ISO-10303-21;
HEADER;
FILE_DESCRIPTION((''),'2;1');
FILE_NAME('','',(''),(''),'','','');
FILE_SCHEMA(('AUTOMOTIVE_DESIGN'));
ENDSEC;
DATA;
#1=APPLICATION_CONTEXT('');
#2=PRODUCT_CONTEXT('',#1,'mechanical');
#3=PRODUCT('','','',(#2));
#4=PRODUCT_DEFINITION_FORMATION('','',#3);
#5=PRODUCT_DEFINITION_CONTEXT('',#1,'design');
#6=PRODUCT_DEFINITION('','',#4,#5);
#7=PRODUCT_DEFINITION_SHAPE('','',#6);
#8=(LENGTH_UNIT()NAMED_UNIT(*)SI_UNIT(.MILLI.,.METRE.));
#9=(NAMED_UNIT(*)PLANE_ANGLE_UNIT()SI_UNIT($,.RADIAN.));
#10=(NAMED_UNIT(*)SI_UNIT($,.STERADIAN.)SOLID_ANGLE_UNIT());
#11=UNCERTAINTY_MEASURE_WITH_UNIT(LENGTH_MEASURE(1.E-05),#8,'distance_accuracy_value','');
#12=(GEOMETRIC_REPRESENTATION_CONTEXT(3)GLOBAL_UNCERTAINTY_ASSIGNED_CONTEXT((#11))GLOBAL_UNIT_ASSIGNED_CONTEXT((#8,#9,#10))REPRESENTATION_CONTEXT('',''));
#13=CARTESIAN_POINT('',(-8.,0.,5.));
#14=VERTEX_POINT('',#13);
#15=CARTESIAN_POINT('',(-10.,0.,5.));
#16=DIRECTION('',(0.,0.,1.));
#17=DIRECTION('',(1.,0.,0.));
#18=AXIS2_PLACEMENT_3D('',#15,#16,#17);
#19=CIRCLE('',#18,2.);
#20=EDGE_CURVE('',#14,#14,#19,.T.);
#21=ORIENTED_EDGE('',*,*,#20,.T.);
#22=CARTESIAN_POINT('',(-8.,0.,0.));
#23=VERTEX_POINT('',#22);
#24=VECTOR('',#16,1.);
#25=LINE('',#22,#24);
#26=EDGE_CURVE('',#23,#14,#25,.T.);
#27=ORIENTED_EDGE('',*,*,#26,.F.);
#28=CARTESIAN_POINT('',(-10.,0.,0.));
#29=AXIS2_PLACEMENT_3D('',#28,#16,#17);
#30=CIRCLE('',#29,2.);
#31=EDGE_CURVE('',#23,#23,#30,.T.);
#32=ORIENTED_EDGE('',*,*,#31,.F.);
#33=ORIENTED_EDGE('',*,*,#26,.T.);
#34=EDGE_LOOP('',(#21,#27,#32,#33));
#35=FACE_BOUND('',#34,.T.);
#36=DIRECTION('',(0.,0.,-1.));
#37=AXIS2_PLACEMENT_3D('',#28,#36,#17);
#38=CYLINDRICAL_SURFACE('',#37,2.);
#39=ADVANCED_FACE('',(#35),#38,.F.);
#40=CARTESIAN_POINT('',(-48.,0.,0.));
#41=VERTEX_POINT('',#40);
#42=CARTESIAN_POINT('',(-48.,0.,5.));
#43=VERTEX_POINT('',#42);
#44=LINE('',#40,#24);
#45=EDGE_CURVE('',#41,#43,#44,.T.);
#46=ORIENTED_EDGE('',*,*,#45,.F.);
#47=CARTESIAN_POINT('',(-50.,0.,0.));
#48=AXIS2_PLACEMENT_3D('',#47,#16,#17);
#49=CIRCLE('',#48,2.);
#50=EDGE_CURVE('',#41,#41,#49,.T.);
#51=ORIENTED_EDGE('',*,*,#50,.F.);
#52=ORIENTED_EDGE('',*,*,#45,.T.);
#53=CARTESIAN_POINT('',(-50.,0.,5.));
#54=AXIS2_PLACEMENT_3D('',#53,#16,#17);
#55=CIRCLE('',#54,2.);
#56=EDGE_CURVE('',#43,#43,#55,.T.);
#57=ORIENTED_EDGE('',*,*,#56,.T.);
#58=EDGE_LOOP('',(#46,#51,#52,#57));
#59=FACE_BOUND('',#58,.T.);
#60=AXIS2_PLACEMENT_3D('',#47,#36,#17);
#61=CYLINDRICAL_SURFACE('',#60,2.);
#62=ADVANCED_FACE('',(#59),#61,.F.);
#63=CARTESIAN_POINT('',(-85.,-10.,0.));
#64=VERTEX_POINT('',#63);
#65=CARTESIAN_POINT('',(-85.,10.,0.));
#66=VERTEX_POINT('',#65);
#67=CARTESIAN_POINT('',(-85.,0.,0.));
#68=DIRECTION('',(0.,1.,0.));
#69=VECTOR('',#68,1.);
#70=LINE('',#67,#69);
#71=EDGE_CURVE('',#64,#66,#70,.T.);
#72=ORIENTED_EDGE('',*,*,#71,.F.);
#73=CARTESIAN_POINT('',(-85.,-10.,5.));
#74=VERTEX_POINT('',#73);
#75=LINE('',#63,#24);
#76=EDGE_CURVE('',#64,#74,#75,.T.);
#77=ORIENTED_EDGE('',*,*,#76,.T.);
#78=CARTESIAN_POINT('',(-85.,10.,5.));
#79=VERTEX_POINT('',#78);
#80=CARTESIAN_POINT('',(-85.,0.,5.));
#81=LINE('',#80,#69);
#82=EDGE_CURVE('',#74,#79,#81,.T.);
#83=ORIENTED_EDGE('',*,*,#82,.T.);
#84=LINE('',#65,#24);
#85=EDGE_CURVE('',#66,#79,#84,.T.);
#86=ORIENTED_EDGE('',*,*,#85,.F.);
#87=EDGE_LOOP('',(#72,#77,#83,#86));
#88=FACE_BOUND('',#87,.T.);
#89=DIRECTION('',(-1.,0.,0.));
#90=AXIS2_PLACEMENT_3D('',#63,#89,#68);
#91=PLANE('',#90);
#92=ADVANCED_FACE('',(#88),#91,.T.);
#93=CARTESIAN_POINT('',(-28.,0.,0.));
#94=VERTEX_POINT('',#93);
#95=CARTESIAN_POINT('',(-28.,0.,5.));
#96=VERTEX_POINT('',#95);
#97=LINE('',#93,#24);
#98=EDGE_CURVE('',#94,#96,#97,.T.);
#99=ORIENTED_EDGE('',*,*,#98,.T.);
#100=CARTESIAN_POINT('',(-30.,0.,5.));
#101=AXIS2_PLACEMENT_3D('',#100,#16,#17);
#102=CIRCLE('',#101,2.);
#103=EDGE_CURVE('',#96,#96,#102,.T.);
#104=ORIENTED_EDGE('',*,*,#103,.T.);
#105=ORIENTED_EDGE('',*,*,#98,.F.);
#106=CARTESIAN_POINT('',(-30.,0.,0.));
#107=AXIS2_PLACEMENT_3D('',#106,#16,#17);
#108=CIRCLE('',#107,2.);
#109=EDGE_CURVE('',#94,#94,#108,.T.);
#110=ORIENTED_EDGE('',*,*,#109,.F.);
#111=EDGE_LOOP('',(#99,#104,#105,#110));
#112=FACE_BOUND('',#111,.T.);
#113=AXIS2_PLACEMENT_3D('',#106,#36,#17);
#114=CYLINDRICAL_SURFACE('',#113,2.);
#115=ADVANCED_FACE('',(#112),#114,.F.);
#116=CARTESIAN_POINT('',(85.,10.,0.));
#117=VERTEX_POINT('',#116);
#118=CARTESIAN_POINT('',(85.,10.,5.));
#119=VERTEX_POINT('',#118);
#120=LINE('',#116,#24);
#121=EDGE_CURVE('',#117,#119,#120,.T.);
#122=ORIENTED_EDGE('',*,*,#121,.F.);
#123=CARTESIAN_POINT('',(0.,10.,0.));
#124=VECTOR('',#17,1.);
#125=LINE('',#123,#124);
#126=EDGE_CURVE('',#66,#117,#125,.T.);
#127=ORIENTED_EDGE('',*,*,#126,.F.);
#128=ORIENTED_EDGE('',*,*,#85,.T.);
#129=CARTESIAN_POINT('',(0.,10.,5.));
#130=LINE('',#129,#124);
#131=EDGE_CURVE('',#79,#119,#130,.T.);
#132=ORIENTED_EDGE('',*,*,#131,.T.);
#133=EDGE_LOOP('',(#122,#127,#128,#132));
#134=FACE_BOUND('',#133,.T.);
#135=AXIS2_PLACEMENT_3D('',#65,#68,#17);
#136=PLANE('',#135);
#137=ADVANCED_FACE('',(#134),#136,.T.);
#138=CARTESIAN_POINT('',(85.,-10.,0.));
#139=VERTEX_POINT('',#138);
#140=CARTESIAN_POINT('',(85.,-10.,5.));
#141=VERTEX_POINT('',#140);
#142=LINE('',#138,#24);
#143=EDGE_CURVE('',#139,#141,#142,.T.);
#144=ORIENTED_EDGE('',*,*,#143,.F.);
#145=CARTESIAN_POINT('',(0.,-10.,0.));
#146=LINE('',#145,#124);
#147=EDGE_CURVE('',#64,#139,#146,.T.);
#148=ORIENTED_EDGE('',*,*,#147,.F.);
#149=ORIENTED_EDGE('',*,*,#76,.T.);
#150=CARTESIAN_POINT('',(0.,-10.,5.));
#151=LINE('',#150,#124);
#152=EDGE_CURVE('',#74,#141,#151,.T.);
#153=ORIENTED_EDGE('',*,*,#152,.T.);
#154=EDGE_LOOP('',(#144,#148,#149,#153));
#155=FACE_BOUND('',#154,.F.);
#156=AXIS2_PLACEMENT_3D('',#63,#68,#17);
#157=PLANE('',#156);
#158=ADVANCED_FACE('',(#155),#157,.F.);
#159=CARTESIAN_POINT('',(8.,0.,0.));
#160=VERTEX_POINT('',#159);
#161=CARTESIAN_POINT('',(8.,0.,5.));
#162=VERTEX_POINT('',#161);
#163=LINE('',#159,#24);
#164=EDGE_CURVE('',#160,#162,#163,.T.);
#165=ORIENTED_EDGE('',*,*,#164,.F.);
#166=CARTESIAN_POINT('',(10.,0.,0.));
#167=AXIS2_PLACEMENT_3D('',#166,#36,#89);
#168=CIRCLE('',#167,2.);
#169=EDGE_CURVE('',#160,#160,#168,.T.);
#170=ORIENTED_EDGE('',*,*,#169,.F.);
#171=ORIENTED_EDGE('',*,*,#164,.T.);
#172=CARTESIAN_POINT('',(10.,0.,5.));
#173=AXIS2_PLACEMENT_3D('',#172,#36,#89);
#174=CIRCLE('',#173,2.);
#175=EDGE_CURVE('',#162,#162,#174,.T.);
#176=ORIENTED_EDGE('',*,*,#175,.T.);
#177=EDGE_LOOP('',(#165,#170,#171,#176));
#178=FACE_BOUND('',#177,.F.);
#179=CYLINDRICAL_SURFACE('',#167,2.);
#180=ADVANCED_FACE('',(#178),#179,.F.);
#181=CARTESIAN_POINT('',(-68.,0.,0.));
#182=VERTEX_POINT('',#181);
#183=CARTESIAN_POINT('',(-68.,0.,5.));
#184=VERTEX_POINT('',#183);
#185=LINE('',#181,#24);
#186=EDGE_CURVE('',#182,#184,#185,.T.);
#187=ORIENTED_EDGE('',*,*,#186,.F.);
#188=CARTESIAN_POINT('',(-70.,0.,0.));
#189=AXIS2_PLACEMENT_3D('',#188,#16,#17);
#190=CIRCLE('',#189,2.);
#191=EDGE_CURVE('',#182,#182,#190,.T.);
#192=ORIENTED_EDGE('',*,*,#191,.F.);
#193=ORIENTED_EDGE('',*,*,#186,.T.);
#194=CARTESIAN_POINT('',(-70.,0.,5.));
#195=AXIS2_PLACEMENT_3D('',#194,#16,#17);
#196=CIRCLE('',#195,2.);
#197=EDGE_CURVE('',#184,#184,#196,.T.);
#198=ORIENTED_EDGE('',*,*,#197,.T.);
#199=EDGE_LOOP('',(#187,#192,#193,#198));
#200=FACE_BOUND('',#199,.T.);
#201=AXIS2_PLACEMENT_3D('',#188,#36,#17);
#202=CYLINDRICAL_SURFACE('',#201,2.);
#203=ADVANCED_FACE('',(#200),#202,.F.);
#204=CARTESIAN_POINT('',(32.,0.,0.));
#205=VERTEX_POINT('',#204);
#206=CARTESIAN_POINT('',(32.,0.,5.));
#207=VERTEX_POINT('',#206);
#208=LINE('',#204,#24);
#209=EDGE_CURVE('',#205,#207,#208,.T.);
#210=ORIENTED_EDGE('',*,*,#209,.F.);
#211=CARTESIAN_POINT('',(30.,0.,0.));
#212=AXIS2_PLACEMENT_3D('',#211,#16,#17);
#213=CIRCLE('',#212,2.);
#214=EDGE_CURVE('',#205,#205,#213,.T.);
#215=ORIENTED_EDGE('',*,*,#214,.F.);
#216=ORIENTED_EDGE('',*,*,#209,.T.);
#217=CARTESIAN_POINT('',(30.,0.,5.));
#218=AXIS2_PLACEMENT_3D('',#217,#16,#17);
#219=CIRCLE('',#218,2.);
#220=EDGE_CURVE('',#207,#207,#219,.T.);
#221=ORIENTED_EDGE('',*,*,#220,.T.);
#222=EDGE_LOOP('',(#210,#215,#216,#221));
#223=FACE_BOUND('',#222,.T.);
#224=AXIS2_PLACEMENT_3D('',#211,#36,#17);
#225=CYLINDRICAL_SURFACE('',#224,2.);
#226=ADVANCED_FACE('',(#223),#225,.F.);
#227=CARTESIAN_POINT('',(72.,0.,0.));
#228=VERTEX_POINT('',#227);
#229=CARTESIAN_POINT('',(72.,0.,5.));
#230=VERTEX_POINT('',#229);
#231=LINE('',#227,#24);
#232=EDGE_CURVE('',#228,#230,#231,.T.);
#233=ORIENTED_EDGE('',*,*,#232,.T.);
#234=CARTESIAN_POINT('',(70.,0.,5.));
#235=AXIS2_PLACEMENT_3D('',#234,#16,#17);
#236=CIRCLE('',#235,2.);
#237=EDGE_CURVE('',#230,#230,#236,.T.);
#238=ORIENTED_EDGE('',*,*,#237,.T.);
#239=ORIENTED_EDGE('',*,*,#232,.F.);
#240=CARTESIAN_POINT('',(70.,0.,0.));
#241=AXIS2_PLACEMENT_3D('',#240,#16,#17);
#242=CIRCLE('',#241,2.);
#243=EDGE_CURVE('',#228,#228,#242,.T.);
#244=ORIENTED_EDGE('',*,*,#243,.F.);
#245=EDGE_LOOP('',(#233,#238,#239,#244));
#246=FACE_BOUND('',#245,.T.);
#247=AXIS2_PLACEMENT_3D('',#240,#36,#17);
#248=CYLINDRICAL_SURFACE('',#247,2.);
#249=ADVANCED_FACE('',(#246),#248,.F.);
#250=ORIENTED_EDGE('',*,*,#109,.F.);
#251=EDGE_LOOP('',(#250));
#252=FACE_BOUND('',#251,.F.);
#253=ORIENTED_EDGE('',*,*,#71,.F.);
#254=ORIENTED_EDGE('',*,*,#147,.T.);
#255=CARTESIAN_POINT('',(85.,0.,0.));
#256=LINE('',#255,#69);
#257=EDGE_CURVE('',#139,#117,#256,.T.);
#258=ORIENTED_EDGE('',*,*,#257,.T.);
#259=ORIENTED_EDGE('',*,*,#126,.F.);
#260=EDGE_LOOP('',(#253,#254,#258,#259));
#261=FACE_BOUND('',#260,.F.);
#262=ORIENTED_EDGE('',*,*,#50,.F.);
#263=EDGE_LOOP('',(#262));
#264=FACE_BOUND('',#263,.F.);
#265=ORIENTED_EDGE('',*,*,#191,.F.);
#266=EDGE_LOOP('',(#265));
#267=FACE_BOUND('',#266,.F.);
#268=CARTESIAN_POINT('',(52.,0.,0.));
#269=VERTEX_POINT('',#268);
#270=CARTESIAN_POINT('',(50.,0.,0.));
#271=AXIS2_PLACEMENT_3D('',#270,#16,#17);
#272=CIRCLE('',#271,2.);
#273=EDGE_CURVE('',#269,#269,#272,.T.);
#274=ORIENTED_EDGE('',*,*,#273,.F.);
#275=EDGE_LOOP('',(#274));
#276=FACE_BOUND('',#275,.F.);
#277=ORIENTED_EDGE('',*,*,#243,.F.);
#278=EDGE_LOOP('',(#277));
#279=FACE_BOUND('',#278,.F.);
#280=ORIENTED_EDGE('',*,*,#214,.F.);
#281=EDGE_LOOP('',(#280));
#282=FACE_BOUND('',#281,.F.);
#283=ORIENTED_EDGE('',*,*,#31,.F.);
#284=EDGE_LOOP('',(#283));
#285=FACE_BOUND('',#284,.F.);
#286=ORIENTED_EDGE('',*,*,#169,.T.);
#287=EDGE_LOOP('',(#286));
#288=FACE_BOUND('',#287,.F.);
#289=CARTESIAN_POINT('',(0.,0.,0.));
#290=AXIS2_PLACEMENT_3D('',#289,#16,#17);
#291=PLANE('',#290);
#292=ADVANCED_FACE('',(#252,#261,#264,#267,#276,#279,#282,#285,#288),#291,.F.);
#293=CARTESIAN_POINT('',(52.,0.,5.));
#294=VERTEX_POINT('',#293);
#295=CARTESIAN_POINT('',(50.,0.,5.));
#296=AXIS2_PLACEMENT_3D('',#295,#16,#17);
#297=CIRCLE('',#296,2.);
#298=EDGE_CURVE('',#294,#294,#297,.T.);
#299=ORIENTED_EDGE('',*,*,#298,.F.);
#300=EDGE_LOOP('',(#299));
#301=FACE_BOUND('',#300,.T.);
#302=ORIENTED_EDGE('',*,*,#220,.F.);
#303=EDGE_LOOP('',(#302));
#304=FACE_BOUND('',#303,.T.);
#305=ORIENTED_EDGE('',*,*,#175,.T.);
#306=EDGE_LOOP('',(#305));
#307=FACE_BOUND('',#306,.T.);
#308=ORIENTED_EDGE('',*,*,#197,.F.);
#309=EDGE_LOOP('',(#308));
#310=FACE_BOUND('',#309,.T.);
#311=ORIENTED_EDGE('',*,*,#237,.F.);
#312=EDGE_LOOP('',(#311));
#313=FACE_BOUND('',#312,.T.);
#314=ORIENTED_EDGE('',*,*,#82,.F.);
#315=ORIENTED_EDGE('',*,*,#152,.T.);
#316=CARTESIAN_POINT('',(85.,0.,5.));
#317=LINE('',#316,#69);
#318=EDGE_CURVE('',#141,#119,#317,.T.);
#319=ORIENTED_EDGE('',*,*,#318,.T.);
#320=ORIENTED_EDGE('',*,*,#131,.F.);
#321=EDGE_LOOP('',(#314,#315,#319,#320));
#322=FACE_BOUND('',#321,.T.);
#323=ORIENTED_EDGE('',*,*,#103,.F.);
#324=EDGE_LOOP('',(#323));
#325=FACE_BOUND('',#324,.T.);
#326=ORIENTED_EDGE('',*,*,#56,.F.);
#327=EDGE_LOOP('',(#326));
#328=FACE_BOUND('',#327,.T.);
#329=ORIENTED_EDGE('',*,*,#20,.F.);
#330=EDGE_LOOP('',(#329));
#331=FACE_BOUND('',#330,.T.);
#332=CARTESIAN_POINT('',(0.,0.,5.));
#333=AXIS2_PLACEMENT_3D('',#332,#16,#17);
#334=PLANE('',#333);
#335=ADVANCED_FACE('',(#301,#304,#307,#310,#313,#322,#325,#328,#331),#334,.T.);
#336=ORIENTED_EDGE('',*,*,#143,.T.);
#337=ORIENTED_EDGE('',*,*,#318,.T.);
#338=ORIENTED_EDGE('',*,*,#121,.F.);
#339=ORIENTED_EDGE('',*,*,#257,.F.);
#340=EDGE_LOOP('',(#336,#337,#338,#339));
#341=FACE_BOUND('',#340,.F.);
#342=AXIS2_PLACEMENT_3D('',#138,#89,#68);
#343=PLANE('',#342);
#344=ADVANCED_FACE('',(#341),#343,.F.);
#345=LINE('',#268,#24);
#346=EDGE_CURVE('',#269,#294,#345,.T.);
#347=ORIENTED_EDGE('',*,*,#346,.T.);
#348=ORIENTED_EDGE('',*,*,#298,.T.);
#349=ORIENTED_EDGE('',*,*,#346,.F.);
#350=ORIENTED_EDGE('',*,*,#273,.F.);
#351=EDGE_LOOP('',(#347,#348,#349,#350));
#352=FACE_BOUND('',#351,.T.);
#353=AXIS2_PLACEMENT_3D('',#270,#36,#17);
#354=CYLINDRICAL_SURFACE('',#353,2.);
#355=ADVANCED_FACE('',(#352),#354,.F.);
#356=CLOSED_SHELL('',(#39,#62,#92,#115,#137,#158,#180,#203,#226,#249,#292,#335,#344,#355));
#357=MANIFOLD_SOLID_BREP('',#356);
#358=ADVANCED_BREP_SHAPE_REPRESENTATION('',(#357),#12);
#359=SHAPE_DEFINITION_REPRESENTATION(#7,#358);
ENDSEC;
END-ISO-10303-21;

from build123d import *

# Parameters (mm, degrees)
F0_W     = 170
F0_H     = 20
F0_R     = 2
F1_DEPTH = 5


with BuildPart() as f1:
    # F0 (on Top) → F1 (new body)
    with BuildSketch(Plane.XY):
        Rectangle(F0_W, F0_H)
        with Locations((-70, 0)):
            Circle(F0_R, mode=Mode.SUBTRACT)
        with Locations((-50, 0)):
            Circle(F0_R, mode=Mode.SUBTRACT)
        with Locations((-30, 0)):
            Circle(F0_R, mode=Mode.SUBTRACT)
        with Locations((-10, 0)):
            Circle(F0_R, mode=Mode.SUBTRACT)
        with BuildLine():
            ThreePointArc((12, 0), (10, -2), (8, 0))
            ThreePointArc((8, 0), (10, 2), (12, 0))
        make_face(mode=Mode.SUBTRACT)
        with Locations((30, 0)):
            Circle(F0_R, mode=Mode.SUBTRACT)
        with Locations((50, 0)):
            Circle(F0_R, mode=Mode.SUBTRACT)
        with Locations((70, 0)):
            Circle(F0_R, mode=Mode.SUBTRACT)
    extrude(amount=F1_DEPTH)


solid = f1.part
